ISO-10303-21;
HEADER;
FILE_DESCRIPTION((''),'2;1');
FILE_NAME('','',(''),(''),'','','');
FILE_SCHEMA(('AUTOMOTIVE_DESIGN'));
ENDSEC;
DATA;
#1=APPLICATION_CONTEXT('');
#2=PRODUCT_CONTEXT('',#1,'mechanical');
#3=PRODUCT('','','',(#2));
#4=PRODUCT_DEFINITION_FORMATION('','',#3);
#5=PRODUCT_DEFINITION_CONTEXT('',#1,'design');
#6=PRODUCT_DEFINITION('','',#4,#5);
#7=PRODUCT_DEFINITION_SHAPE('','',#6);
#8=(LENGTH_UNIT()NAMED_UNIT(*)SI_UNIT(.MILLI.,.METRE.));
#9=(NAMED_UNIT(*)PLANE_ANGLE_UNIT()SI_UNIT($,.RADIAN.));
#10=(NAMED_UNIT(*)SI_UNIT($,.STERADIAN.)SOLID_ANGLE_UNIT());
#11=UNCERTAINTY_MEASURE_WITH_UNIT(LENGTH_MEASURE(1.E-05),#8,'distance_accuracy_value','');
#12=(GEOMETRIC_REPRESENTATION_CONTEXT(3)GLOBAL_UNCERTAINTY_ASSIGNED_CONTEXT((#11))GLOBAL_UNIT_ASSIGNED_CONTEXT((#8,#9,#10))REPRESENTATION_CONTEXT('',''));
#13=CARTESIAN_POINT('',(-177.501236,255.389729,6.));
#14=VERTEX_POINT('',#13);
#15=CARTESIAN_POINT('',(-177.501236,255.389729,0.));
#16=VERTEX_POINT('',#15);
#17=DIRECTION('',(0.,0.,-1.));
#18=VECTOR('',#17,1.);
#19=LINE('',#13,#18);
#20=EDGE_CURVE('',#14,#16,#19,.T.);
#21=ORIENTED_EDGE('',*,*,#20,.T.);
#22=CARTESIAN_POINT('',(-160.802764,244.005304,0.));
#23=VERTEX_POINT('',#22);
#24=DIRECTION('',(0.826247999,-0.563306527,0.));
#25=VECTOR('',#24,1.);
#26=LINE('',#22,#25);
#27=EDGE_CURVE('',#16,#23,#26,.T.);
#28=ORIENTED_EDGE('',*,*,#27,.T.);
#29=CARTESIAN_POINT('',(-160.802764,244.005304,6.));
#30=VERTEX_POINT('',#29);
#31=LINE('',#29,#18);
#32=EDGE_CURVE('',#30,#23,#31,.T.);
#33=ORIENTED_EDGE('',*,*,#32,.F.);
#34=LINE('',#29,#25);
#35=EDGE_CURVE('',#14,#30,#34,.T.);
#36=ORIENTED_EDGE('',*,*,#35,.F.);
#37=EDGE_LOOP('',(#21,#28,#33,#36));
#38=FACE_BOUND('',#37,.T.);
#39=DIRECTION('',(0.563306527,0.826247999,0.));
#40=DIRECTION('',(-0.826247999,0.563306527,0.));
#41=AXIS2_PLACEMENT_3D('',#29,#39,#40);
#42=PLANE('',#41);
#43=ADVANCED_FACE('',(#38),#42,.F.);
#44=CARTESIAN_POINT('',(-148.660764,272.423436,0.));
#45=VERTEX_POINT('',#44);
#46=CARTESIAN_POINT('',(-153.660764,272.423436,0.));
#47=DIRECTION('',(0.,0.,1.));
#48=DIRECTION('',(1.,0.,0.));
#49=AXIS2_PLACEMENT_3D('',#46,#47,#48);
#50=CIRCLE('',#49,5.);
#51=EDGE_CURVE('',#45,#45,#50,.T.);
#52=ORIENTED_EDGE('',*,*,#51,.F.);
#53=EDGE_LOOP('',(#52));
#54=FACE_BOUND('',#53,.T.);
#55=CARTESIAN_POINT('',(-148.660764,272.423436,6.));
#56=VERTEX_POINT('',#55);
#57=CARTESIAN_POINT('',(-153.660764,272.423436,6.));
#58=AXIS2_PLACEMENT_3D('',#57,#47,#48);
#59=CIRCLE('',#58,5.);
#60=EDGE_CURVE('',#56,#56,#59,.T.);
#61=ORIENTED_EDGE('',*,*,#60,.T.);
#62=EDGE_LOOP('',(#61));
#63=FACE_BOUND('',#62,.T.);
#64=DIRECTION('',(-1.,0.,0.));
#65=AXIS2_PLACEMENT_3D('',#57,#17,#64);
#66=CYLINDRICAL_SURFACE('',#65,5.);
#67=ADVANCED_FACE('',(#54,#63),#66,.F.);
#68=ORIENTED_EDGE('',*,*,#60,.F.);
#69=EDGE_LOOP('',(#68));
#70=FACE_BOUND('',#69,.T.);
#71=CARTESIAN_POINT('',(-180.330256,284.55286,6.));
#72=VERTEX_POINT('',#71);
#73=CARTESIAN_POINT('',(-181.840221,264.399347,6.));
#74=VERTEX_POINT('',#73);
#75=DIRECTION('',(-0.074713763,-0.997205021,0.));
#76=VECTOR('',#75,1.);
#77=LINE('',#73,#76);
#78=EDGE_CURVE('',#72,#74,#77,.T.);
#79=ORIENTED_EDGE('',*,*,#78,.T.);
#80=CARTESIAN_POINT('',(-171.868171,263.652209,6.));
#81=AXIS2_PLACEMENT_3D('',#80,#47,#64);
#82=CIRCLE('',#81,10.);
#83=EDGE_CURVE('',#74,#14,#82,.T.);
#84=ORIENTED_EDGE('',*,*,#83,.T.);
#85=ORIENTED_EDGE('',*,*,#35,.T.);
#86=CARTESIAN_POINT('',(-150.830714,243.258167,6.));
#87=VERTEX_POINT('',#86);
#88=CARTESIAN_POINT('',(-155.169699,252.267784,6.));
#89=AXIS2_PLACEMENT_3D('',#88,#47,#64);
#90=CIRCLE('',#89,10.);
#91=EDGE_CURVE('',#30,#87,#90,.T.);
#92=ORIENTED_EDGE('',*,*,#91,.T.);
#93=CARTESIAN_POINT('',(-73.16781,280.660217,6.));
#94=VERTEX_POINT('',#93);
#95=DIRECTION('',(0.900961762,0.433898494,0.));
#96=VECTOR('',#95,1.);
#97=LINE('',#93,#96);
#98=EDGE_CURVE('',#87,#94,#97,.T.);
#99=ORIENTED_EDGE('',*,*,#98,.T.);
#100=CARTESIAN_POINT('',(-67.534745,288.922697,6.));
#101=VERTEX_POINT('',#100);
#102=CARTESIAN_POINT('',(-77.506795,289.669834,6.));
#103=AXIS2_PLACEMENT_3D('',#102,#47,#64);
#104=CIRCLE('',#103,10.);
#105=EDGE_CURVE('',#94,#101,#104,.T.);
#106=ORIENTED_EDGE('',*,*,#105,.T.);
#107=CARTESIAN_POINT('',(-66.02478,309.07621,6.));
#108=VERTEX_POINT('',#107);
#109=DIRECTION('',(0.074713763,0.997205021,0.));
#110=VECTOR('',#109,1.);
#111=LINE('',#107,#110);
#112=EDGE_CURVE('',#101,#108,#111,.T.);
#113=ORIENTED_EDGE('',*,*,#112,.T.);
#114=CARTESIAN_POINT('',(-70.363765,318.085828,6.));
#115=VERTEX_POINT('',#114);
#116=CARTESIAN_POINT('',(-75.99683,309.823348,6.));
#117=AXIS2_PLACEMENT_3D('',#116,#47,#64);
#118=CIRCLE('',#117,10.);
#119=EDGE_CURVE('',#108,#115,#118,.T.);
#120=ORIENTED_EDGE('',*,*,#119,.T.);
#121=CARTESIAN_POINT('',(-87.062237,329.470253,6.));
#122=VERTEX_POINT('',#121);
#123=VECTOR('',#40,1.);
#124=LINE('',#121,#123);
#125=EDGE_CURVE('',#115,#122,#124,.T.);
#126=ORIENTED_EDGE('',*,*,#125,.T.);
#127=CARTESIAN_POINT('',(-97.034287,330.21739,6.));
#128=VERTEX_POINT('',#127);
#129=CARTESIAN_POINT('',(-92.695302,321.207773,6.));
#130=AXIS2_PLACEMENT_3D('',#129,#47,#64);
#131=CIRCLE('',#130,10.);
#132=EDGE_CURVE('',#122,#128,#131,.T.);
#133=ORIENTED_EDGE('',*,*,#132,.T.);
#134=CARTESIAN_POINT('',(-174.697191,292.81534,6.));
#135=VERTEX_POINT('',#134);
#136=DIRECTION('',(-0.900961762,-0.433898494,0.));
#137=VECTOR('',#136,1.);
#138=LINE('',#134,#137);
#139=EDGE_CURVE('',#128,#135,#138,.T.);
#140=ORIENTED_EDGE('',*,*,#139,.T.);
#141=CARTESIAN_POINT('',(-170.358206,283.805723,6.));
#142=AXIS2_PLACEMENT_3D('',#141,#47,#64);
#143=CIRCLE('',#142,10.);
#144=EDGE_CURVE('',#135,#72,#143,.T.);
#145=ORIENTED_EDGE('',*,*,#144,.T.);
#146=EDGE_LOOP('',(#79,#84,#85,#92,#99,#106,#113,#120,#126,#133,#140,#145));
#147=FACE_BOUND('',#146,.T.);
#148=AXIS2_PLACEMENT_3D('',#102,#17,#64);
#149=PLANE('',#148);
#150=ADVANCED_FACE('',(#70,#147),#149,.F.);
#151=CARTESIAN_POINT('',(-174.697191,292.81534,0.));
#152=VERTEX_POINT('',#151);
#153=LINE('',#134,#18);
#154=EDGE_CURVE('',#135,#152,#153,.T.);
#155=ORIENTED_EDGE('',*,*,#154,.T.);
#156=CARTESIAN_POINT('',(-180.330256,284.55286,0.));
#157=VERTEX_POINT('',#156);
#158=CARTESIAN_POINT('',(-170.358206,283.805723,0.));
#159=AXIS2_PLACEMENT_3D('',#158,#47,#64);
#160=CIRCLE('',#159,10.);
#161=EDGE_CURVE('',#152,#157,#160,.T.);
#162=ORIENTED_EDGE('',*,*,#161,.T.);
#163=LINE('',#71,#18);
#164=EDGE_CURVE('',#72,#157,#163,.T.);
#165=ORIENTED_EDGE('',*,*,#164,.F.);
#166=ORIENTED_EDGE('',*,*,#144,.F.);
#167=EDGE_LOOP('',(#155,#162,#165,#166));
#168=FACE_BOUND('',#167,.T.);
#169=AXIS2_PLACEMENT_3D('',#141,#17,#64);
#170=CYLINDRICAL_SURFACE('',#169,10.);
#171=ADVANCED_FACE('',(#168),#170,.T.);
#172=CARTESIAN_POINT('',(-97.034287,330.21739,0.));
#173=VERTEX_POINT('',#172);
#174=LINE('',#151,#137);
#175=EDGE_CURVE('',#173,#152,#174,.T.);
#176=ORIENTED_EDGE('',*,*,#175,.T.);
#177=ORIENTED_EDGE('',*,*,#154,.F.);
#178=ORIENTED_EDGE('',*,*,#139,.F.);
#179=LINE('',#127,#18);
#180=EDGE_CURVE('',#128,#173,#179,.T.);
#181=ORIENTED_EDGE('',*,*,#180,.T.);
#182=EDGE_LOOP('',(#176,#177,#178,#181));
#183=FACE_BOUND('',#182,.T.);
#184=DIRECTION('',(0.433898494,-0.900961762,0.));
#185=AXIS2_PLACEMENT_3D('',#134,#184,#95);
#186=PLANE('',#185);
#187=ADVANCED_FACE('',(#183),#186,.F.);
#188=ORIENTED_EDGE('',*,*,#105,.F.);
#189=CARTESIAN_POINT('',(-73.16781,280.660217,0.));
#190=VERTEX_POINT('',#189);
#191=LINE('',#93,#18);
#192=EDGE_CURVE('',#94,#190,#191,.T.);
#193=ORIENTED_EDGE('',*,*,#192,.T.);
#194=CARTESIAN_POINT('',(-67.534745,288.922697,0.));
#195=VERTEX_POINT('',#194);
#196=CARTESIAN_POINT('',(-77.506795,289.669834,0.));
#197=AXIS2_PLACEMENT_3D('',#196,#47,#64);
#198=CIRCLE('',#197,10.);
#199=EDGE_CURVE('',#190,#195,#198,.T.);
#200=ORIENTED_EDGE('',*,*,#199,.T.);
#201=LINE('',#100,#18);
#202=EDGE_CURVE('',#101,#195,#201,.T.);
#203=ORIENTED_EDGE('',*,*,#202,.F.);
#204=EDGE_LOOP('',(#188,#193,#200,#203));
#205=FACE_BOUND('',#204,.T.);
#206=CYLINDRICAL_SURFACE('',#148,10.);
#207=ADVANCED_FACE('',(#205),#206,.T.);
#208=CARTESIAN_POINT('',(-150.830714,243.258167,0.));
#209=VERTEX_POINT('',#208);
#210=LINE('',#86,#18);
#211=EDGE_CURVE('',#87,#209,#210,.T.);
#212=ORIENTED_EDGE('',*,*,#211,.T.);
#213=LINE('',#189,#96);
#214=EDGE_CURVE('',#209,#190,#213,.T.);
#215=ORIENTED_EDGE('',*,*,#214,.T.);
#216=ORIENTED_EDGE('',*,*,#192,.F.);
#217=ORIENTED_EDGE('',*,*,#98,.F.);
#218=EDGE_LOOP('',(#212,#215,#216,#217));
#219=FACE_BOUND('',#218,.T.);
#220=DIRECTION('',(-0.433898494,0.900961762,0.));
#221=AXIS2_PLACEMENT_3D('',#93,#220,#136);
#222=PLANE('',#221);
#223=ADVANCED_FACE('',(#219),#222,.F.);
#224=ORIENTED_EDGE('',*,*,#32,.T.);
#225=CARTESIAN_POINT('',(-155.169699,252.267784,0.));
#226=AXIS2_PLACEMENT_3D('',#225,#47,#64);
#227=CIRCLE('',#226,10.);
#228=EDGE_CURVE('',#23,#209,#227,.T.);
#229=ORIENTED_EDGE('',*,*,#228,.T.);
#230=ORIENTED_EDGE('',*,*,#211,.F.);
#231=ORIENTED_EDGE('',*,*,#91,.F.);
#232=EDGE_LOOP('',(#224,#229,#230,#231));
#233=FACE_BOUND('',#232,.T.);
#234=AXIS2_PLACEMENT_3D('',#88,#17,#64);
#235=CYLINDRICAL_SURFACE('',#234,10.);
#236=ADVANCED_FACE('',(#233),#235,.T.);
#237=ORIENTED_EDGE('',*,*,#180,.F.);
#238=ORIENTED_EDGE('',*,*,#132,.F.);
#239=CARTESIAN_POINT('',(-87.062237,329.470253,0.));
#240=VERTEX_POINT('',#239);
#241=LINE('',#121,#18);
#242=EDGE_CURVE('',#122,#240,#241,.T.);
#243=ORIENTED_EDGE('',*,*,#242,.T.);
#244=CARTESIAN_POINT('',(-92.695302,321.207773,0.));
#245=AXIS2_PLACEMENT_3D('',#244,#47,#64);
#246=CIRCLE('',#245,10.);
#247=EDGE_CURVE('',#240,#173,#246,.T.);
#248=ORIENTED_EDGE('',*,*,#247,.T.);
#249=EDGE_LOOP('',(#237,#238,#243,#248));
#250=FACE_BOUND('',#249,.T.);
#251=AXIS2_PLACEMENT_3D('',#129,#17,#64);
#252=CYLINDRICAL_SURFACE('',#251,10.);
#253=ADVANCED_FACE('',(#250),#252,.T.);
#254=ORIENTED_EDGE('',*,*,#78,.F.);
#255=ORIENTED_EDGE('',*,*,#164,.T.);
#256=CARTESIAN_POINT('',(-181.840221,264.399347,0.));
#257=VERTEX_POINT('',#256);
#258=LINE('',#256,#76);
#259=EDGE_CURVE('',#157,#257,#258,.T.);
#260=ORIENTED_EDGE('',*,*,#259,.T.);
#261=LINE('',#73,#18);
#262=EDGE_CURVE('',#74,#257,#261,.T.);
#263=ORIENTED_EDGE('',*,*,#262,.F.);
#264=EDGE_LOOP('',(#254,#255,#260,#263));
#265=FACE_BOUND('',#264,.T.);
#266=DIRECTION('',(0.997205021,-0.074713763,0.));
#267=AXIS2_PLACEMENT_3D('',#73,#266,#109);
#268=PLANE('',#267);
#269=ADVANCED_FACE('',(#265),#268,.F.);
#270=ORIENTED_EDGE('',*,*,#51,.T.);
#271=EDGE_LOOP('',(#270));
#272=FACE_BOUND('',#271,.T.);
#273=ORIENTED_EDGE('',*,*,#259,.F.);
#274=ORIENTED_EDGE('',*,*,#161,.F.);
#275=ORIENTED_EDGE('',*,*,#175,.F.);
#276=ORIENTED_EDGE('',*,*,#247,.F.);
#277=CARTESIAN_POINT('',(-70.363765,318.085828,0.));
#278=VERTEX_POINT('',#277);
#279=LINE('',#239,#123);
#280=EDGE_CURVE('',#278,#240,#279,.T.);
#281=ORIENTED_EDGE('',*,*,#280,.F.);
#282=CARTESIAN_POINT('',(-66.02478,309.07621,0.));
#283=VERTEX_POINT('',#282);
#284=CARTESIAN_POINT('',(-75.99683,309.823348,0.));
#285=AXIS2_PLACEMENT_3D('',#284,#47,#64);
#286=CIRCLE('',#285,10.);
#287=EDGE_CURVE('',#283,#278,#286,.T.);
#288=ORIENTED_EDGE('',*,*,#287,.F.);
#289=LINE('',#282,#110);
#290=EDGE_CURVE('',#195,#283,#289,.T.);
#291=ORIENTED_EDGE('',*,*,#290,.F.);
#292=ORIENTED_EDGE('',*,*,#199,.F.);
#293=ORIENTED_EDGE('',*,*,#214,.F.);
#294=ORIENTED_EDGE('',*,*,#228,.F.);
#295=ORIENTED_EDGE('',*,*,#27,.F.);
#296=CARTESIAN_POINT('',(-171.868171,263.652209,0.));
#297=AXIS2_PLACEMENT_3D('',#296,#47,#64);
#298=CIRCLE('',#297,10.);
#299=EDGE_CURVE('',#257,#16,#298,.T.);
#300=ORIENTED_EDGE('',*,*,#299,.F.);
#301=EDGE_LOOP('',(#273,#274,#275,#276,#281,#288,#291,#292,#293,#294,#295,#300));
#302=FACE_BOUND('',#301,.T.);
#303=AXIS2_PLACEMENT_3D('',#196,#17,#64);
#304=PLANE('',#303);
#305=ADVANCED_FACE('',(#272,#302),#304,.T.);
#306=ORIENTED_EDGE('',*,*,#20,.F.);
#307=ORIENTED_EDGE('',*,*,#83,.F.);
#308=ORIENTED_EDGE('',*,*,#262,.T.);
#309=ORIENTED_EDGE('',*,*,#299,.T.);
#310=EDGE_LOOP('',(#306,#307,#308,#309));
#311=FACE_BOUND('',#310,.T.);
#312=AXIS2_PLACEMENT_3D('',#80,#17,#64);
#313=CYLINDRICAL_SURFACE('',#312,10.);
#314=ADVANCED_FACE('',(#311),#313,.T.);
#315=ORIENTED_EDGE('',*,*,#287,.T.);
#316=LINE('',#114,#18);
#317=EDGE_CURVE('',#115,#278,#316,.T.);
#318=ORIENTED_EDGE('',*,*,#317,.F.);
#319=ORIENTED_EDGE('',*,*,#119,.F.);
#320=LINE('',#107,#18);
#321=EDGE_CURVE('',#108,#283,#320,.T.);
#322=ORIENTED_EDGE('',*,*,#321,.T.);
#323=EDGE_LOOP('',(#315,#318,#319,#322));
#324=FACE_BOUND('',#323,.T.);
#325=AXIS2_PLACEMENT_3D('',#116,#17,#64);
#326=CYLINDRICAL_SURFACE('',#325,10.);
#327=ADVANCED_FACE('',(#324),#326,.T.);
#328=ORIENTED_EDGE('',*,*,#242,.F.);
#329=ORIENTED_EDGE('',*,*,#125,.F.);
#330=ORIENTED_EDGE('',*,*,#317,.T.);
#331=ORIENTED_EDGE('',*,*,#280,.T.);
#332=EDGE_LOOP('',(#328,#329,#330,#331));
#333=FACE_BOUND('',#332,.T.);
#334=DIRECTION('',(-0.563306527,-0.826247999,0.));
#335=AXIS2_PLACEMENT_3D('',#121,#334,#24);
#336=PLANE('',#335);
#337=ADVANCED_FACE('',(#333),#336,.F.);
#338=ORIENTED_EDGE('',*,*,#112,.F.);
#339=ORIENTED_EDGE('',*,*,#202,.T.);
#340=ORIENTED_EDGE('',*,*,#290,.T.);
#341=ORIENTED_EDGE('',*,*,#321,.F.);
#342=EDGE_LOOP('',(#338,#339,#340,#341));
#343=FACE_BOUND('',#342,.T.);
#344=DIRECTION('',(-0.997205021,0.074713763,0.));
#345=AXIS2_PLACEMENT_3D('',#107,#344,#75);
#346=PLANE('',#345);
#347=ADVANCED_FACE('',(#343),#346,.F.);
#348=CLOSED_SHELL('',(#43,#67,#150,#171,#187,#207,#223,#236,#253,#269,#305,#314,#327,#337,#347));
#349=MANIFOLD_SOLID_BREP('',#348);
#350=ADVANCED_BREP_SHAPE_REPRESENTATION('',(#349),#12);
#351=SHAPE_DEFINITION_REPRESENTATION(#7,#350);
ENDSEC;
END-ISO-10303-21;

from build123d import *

# Parameters (mm, degrees)
SKETCH2_R           = 5
BOSS_EXTRUDE2_DEPTH = 6


with BuildPart() as part:
    # Sketch2 → Boss-Extrude2 (new body)
    with BuildSketch(Plane.XY):
        with BuildLine():
            Line((-174.697190786, 292.815340248), (-97.034286873, 330.217390401))
            ThreePointArc((-97.034286873, 330.217390401), (-91.948164306, 331.179822986), (-87.062236664, 329.470252771))
            Line((-87.062236664, 329.470252771), (-70.363764597, 318.085827856))
            ThreePointArc((-70.363764597, 318.085827856), (-66.987212246, 314.162332799), (-66.024779661, 309.076210233))
            Line((-66.024779661, 309.076210233), (-67.534744811, 288.922696761))
            ThreePointArc((-67.534744811, 288.922696761), (-69.244315026, 284.036769119), (-73.167810083, 280.660216768))
            Line((-73.167810083, 280.660216768), (-150.830713997, 243.258166615))
            ThreePointArc((-150.830713997, 243.258166615), (-155.916836563, 242.295734029), (-160.802764205, 244.005304245))
            Line((-160.802764205, 244.005304245), (-177.501236272, 255.389729159))
            ThreePointArc((-177.501236272, 255.389729159), (-180.877788623, 259.313224216), (-181.840221209, 264.399346783))
            Line((-181.840221209, 264.399346783), (-180.330256058, 284.552860254))
            ThreePointArc((-180.330256058, 284.552860254), (-178.620685843, 289.438787896), (-174.697190786, 292.815340248))
        make_face()
        with Locations((-153.660763686, 272.423436021)):
            Circle(SKETCH2_R, mode=Mode.SUBTRACT)
    extrude(amount=BOSS_EXTRUDE2_DEPTH)


solid = part.part
